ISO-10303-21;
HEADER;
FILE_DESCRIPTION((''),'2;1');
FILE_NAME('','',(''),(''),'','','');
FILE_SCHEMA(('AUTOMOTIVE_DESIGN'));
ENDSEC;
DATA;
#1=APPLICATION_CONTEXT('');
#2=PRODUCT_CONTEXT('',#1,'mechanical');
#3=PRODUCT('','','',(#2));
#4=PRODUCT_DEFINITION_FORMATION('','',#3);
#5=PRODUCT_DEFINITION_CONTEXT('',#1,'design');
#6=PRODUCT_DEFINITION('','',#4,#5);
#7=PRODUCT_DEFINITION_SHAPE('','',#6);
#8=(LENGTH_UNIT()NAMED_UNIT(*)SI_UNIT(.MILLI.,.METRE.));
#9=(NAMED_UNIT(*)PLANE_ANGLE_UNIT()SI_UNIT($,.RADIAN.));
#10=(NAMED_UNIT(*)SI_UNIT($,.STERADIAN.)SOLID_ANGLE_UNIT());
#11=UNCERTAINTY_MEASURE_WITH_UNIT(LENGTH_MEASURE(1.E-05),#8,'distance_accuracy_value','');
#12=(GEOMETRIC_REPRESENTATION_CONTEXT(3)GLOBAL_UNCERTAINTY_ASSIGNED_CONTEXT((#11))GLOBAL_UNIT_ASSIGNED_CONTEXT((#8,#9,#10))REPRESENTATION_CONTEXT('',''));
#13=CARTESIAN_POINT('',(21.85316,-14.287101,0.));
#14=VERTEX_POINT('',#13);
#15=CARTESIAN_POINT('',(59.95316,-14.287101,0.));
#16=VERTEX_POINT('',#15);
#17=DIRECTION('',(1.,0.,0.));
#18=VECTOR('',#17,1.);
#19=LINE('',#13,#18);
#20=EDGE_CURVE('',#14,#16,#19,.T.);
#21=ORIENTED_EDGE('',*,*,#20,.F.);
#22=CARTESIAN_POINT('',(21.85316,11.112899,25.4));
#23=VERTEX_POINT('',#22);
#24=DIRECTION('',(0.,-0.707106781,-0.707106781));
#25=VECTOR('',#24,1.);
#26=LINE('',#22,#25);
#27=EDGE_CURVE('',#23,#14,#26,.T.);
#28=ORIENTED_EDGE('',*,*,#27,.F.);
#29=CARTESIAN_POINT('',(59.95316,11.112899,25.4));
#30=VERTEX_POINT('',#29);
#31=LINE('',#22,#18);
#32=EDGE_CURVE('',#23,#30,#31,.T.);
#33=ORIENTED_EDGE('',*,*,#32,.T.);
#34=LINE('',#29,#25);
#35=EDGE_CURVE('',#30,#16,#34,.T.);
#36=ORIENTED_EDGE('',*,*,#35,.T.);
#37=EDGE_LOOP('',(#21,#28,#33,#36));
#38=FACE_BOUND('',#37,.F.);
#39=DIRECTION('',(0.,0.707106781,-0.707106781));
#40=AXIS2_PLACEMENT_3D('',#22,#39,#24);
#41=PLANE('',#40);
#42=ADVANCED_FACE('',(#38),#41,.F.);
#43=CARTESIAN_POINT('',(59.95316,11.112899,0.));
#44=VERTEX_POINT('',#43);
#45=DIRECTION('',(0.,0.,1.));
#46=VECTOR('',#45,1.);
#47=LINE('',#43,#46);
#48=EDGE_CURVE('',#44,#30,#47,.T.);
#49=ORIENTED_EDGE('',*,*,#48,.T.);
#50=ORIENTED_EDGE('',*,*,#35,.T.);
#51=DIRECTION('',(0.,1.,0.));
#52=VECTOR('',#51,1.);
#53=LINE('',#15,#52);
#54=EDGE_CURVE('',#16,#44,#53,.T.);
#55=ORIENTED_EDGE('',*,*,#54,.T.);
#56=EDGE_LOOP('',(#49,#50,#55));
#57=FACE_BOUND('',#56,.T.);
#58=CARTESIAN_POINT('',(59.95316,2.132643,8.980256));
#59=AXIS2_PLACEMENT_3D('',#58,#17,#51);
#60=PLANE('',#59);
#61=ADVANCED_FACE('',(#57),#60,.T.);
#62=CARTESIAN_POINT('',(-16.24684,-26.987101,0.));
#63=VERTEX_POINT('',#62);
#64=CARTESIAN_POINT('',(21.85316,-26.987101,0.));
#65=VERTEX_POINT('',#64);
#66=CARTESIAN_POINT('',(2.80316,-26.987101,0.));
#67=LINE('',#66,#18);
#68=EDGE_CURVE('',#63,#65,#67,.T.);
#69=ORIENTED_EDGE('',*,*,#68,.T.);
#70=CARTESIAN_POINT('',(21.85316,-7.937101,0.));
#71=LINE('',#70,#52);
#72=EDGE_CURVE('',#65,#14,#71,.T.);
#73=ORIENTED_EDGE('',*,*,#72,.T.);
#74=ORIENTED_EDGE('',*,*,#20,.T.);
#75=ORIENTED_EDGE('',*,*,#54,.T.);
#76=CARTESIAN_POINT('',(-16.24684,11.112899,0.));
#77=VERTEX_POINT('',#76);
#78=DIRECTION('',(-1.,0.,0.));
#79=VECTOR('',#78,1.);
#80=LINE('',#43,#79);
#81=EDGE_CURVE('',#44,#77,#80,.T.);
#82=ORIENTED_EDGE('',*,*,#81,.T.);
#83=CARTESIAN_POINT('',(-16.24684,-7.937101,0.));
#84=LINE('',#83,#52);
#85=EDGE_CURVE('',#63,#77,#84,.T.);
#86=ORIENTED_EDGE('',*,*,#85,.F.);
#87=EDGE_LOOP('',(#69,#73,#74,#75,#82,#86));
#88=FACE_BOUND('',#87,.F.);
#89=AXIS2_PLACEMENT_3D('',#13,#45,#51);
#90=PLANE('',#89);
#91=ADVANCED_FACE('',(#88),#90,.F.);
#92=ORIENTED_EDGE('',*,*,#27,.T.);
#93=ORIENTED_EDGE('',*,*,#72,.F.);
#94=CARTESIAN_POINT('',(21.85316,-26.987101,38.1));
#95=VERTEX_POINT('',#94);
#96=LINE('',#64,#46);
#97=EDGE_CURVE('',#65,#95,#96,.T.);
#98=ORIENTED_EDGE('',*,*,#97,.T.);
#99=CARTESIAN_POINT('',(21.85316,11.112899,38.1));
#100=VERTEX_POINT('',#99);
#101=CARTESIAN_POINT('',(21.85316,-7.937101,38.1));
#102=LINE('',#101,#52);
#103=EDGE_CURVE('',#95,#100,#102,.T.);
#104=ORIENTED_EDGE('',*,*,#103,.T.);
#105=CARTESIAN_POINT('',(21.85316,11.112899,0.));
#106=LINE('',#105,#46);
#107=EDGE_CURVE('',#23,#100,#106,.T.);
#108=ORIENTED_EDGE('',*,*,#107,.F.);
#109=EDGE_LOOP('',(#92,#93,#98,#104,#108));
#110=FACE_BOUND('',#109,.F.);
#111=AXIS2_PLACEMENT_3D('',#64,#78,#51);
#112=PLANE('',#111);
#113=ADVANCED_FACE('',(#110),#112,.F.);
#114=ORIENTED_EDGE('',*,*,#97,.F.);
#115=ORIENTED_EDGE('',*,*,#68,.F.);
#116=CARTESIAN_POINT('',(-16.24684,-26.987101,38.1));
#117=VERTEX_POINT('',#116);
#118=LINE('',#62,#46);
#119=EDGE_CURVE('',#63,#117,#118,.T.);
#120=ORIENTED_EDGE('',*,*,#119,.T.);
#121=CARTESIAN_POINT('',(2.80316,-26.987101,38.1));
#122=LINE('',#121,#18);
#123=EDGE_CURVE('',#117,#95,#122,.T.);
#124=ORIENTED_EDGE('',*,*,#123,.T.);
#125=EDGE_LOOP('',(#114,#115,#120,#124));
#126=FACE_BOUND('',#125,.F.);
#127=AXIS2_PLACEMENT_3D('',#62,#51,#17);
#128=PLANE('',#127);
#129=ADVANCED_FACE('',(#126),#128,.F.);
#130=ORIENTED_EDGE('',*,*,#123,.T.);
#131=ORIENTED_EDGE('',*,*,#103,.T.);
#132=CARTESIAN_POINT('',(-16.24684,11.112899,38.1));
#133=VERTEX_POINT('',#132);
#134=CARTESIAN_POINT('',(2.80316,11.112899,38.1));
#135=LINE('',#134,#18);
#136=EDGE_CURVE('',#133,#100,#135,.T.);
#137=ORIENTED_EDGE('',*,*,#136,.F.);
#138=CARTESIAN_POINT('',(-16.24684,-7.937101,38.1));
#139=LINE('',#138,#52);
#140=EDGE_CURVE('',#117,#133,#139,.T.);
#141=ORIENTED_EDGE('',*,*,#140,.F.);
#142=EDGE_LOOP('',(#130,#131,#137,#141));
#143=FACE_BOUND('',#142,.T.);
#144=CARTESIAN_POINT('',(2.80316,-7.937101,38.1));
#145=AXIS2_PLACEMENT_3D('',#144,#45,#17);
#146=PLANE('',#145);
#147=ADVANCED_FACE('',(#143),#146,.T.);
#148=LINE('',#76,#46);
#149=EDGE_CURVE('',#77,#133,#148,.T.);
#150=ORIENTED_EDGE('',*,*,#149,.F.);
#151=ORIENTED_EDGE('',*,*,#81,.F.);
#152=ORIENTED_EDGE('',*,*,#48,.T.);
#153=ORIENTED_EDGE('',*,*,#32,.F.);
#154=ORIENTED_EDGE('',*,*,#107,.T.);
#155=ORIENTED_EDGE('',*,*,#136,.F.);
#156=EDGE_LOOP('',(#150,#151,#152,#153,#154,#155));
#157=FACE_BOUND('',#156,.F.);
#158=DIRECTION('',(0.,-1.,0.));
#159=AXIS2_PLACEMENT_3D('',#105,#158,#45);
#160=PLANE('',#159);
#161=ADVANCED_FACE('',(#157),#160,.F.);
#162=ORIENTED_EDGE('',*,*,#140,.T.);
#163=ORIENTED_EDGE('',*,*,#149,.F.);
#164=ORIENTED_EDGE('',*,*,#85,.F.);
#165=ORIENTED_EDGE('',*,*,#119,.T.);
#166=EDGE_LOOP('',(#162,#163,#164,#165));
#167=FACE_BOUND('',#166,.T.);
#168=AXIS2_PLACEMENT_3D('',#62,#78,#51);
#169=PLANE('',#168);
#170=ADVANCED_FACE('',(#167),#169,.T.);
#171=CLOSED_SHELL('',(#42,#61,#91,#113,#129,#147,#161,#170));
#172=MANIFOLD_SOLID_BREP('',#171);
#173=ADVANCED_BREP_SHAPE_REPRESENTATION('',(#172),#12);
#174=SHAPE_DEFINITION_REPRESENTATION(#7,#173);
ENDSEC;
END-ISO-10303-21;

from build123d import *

# Parameters (mm, degrees)
F0_W     = 38.1
F0_H     = 38.1
F1_DEPTH = 38.1
F3_DEPTH = 38.1


with BuildPart() as f1:
    # F0 (on Top) → F1 (new body)
    with BuildSketch(Plane.XY):
        with Locations((2.80316, -7.937101)):
            Rectangle(F0_W, F0_H)
    extrude(amount=F1_DEPTH)

    # F2 (on face) → F3 (join)
    with BuildSketch(Plane.YZ.offset(21.85316)):
        Polygon((11.112899, 0), (11.112899, 25.4), (-14.287101, 0), align=None)
    extrude(amount=F3_DEPTH)


solid = f1.part
